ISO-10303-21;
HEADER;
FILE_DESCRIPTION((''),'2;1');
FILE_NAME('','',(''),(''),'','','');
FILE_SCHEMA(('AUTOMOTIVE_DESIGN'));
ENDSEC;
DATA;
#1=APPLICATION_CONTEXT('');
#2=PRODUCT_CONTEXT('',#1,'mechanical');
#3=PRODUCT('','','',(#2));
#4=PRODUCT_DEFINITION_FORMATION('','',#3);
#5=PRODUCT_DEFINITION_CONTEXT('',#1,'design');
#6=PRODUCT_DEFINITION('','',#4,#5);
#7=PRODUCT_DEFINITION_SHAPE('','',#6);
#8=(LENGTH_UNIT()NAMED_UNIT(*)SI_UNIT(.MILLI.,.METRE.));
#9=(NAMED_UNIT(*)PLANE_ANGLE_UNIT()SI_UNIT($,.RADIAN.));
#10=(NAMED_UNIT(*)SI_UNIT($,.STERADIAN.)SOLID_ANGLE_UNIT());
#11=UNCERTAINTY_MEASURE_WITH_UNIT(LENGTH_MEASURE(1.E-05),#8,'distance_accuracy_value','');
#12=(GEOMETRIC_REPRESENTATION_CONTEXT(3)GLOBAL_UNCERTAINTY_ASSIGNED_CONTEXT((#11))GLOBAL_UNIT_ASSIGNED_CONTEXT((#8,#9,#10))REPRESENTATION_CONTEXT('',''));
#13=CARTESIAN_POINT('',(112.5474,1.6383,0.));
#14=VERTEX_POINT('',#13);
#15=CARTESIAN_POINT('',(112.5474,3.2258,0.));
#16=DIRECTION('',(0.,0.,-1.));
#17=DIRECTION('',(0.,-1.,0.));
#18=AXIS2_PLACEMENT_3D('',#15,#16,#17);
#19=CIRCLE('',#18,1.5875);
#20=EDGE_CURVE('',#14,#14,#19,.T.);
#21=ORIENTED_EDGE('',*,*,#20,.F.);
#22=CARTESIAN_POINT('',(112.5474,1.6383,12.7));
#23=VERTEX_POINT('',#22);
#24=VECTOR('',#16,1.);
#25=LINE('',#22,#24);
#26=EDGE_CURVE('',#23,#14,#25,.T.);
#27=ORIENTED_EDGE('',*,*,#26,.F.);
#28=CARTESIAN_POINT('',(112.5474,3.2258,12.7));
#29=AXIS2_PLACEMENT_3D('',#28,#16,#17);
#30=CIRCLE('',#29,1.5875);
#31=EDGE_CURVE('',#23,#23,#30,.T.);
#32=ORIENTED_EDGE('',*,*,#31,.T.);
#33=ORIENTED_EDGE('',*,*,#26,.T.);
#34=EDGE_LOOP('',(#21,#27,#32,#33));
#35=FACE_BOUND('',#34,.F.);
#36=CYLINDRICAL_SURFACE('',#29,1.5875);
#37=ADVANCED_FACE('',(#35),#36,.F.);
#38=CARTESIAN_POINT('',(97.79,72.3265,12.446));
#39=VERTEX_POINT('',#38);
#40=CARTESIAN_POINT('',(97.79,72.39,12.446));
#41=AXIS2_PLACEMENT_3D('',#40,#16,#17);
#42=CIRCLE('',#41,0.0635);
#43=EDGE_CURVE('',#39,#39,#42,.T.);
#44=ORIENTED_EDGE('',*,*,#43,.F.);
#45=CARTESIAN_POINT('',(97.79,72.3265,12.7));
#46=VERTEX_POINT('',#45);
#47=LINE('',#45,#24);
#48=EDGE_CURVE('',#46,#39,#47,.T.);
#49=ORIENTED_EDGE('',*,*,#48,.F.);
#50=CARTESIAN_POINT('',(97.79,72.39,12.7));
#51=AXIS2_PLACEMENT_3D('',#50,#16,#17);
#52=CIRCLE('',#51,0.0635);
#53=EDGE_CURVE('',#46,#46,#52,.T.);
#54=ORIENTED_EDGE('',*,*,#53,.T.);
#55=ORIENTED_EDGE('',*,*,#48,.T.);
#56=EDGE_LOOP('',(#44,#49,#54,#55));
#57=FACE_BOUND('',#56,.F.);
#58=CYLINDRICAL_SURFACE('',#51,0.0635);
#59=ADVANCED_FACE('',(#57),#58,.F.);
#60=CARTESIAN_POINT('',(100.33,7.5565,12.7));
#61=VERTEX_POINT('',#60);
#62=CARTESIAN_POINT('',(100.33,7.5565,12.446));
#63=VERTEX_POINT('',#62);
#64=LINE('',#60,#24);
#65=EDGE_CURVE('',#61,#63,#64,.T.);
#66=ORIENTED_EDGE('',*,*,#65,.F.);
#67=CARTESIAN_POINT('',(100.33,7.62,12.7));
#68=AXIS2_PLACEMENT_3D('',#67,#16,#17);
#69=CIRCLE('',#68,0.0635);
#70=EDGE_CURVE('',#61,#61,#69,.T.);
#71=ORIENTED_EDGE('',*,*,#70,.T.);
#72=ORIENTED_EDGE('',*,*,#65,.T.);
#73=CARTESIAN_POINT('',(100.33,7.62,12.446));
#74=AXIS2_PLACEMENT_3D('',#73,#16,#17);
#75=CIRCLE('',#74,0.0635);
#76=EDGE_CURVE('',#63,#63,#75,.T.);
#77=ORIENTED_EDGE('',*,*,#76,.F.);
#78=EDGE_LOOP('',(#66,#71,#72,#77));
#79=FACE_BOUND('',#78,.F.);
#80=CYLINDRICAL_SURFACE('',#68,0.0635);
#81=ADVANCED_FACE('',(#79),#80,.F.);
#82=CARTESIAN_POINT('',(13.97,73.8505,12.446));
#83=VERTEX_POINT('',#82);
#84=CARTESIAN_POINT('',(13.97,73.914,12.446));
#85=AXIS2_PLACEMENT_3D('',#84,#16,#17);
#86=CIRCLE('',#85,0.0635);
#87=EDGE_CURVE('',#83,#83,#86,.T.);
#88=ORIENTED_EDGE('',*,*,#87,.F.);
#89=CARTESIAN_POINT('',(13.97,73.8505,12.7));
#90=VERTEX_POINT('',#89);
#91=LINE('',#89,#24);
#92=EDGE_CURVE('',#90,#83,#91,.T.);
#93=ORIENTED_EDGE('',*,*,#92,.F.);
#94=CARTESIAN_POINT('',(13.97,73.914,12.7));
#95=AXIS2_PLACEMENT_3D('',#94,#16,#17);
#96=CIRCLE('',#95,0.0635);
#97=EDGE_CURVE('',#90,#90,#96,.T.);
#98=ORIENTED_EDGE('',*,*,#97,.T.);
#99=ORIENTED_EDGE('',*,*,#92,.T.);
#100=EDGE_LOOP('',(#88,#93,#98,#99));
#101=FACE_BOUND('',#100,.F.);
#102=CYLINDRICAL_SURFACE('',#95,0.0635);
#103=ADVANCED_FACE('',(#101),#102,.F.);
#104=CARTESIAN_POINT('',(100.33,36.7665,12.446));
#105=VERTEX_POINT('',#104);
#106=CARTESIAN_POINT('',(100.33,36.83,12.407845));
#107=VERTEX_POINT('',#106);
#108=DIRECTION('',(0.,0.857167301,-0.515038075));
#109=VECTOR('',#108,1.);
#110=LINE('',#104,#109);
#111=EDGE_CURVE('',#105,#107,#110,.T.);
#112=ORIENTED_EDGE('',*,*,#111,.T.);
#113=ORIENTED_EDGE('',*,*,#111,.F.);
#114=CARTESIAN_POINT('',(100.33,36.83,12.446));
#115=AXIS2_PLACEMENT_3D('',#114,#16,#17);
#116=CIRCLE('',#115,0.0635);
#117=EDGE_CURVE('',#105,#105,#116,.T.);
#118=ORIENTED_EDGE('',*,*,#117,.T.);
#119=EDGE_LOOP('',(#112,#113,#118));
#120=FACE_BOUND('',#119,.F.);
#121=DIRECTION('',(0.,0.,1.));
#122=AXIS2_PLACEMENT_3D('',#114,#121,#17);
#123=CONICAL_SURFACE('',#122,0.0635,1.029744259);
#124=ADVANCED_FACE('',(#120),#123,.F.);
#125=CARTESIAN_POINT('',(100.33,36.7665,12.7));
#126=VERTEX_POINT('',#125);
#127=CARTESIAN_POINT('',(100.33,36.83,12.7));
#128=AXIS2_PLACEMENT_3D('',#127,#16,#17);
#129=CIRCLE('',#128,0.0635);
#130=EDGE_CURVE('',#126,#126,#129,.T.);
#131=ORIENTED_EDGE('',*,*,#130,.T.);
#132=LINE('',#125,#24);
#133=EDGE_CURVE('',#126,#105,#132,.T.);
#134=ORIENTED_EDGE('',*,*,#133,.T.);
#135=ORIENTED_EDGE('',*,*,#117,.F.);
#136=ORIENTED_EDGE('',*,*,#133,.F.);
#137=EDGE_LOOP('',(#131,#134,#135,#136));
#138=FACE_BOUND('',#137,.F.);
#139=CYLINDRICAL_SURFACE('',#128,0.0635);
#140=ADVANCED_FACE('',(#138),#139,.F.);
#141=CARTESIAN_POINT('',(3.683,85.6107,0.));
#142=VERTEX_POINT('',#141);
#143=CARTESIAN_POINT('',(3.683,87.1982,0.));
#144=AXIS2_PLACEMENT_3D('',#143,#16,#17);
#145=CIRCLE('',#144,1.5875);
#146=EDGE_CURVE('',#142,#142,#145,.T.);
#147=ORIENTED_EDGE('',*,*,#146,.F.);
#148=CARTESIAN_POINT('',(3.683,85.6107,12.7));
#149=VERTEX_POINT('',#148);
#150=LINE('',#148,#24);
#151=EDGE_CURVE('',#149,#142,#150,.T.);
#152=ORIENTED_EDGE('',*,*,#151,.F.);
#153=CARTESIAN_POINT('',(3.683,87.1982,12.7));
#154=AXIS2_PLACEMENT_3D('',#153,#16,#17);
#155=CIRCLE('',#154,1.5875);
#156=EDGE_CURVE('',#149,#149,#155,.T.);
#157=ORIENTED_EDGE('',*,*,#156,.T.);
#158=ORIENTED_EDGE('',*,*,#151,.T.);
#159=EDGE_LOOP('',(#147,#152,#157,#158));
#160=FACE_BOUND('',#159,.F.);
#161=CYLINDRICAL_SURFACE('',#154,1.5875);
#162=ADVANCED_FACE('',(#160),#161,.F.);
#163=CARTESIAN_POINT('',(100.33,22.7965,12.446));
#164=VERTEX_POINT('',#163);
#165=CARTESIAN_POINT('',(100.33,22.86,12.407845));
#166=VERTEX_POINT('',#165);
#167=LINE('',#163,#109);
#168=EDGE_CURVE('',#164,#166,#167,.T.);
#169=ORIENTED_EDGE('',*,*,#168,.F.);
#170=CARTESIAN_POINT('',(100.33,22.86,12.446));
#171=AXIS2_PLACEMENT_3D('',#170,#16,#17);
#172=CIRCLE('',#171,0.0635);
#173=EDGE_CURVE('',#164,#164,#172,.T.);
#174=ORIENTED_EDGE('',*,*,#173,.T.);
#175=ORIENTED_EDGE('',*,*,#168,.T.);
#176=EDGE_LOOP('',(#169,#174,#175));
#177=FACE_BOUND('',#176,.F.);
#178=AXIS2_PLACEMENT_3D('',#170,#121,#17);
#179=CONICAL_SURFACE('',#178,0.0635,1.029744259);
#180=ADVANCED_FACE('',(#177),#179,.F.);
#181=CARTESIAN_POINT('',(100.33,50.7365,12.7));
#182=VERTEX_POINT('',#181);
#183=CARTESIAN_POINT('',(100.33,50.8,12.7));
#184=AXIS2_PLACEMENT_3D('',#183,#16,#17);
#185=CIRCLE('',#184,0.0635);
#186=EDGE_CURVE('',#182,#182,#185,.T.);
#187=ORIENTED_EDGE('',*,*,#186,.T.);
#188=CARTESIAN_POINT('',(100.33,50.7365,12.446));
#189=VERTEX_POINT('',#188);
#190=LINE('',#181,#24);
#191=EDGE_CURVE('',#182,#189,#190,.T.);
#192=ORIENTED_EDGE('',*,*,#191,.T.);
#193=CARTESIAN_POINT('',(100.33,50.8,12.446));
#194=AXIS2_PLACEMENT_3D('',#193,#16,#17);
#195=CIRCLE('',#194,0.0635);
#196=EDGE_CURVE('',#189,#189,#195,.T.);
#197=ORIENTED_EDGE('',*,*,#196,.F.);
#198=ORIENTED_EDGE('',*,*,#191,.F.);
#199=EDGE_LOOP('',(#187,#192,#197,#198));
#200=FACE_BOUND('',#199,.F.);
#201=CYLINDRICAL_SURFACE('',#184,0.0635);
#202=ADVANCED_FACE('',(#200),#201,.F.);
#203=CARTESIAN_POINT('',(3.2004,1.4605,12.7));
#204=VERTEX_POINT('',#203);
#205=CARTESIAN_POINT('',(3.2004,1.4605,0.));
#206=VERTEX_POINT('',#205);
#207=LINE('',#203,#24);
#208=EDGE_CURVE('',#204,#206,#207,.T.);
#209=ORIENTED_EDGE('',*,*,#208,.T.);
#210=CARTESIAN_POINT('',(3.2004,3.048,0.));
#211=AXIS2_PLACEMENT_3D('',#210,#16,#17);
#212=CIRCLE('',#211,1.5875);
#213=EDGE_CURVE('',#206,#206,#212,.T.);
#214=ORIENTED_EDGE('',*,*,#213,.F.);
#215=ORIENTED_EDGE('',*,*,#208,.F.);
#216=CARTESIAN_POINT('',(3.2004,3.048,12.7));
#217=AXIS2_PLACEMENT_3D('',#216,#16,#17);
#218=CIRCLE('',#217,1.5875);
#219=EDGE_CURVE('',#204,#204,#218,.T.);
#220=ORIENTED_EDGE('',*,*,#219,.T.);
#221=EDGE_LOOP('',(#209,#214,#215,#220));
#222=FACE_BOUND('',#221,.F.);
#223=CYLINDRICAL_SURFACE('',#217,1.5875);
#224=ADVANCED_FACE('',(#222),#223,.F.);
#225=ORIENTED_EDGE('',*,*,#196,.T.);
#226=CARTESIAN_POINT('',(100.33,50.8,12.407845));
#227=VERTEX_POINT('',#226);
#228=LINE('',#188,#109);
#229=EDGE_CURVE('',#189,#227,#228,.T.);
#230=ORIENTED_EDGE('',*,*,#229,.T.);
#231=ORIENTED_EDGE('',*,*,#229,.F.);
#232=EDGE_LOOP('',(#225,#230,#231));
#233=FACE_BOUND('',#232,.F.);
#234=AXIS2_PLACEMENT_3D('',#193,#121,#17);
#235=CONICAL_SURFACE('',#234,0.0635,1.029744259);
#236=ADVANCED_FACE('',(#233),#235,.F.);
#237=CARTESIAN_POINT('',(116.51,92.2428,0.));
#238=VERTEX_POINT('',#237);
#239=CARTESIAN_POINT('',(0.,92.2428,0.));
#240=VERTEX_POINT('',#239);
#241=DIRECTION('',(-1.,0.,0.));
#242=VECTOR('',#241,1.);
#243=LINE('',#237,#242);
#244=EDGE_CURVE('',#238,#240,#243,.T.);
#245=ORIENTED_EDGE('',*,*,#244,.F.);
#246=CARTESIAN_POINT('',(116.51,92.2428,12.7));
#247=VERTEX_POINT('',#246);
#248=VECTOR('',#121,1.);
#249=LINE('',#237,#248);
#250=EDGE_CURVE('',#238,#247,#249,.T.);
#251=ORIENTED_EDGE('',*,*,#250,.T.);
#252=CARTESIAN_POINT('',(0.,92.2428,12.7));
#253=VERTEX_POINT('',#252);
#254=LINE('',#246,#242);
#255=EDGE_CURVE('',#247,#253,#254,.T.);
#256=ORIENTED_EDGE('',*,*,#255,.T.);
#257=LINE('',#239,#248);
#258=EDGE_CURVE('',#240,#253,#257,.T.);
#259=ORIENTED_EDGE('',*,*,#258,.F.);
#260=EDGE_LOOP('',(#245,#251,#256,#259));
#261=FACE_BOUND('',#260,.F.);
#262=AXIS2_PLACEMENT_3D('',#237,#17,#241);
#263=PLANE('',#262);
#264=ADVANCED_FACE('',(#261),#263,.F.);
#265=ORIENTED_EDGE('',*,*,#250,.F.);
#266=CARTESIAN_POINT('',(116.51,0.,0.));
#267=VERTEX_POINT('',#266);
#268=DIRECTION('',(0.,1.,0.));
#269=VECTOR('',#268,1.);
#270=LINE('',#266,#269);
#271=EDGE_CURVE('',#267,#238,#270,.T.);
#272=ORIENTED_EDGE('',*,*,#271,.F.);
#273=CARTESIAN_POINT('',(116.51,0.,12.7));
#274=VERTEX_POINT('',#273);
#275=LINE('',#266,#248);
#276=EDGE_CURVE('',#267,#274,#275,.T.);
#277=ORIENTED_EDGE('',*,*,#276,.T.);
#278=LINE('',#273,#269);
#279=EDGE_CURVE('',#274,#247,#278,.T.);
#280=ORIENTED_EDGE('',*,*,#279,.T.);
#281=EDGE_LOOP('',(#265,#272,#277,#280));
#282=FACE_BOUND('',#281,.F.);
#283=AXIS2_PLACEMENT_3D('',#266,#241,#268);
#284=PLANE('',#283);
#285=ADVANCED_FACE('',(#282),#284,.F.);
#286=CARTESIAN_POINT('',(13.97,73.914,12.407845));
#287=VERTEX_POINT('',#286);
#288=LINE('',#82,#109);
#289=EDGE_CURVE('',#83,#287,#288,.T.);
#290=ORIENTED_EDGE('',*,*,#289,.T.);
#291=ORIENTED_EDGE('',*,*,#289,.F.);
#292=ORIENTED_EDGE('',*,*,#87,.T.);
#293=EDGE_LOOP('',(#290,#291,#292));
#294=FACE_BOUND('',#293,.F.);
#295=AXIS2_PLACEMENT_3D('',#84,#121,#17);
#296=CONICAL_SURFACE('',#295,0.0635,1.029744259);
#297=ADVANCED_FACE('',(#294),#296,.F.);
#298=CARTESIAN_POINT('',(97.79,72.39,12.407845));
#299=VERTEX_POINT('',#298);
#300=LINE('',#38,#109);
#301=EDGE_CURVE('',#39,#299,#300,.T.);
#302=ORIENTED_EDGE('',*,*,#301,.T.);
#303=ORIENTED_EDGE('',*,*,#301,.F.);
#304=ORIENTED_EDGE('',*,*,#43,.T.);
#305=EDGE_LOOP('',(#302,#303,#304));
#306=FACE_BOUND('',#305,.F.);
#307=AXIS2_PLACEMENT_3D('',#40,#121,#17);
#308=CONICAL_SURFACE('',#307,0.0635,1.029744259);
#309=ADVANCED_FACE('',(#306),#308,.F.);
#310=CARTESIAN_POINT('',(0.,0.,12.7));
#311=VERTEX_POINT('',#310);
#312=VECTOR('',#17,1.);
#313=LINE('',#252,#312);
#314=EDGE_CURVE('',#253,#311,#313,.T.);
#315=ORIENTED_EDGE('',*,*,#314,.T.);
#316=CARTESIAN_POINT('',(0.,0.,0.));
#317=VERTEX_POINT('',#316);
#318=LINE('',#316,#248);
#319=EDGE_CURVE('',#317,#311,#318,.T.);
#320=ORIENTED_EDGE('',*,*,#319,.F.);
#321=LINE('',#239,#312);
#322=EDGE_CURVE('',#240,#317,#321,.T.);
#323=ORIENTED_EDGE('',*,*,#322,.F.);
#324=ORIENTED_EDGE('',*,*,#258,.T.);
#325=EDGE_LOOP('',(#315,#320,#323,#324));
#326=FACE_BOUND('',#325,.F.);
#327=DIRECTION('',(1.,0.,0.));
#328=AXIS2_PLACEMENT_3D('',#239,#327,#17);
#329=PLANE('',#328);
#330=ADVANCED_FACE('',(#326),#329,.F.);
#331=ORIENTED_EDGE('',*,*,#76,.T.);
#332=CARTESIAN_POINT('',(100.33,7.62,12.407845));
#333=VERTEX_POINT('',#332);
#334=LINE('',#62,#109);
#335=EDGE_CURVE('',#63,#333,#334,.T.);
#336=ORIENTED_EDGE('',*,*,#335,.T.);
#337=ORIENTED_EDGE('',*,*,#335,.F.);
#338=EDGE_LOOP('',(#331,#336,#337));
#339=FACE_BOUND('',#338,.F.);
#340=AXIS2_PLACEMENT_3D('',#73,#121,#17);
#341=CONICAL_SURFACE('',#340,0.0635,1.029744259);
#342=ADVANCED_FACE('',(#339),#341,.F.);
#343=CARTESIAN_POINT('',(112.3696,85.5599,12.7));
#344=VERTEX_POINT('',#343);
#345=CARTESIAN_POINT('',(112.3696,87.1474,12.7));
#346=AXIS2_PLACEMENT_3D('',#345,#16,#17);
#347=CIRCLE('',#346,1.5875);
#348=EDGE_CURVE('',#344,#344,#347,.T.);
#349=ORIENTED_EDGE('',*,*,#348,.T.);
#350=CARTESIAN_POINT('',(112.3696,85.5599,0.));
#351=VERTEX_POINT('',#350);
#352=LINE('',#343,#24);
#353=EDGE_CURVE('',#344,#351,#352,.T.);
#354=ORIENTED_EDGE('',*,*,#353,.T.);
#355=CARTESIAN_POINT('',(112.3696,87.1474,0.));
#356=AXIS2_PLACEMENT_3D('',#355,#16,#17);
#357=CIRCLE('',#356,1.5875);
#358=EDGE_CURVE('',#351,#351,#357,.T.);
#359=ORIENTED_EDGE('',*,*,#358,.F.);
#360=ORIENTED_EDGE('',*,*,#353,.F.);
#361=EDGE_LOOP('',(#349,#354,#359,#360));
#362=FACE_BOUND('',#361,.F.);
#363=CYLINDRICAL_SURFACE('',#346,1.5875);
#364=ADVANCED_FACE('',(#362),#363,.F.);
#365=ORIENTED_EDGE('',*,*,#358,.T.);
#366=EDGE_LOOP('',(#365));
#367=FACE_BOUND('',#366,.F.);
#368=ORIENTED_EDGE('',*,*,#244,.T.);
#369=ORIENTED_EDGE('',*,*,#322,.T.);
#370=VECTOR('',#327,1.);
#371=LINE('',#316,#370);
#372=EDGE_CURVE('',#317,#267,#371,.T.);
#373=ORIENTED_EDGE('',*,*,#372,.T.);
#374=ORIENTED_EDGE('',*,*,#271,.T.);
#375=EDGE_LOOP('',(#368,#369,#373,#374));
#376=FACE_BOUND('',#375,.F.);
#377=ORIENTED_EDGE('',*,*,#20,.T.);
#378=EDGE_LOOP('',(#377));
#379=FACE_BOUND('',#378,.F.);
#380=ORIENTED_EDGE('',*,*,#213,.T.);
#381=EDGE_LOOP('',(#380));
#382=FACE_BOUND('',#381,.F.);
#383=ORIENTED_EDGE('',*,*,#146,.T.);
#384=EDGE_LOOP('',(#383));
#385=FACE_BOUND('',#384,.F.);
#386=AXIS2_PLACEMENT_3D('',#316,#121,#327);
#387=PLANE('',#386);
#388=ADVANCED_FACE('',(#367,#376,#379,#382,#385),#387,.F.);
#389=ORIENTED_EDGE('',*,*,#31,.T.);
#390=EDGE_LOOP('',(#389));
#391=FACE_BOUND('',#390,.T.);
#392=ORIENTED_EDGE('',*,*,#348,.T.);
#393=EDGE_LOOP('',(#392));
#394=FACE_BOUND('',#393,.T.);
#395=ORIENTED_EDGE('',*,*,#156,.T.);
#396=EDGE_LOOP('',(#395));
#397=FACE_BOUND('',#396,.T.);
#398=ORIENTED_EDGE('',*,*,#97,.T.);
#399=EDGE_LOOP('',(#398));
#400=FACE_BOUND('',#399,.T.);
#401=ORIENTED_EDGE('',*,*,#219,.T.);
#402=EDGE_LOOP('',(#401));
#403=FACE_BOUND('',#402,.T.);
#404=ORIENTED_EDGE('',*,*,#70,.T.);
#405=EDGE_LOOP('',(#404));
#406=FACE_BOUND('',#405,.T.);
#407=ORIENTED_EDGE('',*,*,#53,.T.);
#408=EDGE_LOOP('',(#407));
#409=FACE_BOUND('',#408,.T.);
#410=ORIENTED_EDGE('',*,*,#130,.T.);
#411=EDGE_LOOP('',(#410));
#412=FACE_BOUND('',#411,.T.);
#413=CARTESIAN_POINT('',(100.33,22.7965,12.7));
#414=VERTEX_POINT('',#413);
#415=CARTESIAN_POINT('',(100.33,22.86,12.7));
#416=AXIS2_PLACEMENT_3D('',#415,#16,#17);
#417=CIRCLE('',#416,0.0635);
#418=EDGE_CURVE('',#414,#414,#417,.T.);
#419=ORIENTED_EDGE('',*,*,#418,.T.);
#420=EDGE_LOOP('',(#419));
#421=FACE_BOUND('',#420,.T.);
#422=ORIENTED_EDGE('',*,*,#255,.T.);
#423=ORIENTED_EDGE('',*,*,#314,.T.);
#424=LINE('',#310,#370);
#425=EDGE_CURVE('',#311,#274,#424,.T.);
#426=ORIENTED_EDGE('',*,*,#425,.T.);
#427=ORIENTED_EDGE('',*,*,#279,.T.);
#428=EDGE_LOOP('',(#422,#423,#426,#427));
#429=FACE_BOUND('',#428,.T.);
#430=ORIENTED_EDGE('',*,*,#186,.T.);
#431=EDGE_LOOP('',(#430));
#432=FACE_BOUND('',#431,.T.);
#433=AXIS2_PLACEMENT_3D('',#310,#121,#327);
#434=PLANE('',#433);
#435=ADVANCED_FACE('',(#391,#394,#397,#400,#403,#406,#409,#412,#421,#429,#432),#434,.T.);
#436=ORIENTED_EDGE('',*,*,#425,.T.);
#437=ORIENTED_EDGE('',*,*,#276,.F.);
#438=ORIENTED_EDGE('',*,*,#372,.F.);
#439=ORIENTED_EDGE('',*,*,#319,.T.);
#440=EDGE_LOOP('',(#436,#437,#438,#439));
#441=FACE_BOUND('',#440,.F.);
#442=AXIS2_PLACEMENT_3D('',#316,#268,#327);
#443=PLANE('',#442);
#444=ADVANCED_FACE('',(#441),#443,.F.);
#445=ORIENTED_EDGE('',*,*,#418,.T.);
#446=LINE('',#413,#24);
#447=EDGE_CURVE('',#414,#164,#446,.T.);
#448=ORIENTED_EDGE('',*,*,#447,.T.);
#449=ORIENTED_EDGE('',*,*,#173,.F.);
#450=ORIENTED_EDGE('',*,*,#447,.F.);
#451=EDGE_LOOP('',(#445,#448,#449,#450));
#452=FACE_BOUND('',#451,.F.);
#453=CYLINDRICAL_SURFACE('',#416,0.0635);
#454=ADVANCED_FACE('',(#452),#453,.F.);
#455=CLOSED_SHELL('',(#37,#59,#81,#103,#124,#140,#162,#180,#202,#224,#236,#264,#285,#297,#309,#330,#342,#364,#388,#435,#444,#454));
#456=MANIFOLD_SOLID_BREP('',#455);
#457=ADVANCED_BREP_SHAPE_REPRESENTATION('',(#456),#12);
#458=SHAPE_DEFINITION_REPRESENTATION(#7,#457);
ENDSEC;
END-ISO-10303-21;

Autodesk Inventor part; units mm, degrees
ref_plane "YZ Plane" through (0, 0, 0) normal (1, 0, 0) x (0, 1, 0)
ref_plane "XZ Plane" through (0, 0, 0) normal (0, 1, 0) x (-1, 0, 0)
ref_plane "XY Plane" through (0, 0, 0) normal (0, 0, 1) x (1, 0, 0)
sketch "Sketch1" plane through (0, 0, 0) normal (0, 0, 1) x (1, 0, 0)
  line L0 (0, 0) -> (116.51, 0)
  line L1 (116.51, 0) -> (116.51, 92.2428)
  line L2 (116.51, 92.2428) -> (0, 92.2428)
  line L3 (0, 92.2428) -> (0, 0)
  dimension "d0" = 92.2428
  dimension "d1" = 116.51
extrude "Extrusion1" add sketch "Sketch1" along normal blind 12.7
sketch "Sketch2" plane through (0, 0, 12.7) normal (0, 0, 1) x (1, 0, 0)
  line L0 (0, 92.2428) -> (0, 0) projected
  line L1 (0, 0) -> (116.51, 0) projected
  point P0 (3.683, 87.1982)
  point P1 (3.2004, 3.048)
  point P2 (112.5474, 3.2258)
  point P3 (112.3696, 87.1474)
  dimension "d4" = 3.2004
  dimension "d5" = 3.048
  dimension "d6" = 112.5474
  dimension "d7" = 3.2258
  dimension "d8" = 3.683
  dimension "d9" = 87.1982
  dimension "d10" = 112.3696
  dimension "d11" = 87.1474
hole "Hole1" at (3.683, 87.1982, 12.7) at (3.2004, 3.048, 12.7) at (112.5474, 3.2258, 12.7) at (112.3696, 87.1474, 12.7) direction (0, 0, -1) diameter 3.175 end through all
sketch "Sketch3" plane through (0, 0, 12.7) normal (0, 0, 1) x (1, 0, 0)
  line L0 (0, 92.2428) -> (0, 0) projected
  line L1 (0, 0) -> (116.51, 0) projected
  point P0 (13.97, 73.914)
  point P1 (97.79, 72.39)
  point P2 (100.33, 50.8)
  point P3 (100.33, 36.83)
  point P4 (100.33, 22.86)
  point P5 (100.33, 7.62)
  dimension "d19" = 13.97
  dimension "d20" = 73.914
  dimension "d21" = 97.79
  dimension "d22" = 72.39
  dimension "d26" = 50.8
  dimension "d27" = 36.83
  dimension "d28" = 22.86
  dimension "d36" = 7.62
  dimension "d38" = 100.33
  dimension "d39" = 100.33
  dimension "d40" = 100.33
  dimension "d41" = 100.33
hole "Hole2" at (13.97, 73.914, 12.7) at (97.79, 72.39, 12.7) at (100.33, 50.8, 12.7) at (100.33, 36.83, 12.7) at (100.33, 22.86, 12.7) at (100.33, 7.62, 12.7) direction (0, 0, -1) diameter 0.127 depth 0.254 tip angle 118
equation "\"d39\" = d38"
equation "\"d40\" = d39"
equation "\"d41\" = d40"
properties part number "Board_Inventor_Part"
